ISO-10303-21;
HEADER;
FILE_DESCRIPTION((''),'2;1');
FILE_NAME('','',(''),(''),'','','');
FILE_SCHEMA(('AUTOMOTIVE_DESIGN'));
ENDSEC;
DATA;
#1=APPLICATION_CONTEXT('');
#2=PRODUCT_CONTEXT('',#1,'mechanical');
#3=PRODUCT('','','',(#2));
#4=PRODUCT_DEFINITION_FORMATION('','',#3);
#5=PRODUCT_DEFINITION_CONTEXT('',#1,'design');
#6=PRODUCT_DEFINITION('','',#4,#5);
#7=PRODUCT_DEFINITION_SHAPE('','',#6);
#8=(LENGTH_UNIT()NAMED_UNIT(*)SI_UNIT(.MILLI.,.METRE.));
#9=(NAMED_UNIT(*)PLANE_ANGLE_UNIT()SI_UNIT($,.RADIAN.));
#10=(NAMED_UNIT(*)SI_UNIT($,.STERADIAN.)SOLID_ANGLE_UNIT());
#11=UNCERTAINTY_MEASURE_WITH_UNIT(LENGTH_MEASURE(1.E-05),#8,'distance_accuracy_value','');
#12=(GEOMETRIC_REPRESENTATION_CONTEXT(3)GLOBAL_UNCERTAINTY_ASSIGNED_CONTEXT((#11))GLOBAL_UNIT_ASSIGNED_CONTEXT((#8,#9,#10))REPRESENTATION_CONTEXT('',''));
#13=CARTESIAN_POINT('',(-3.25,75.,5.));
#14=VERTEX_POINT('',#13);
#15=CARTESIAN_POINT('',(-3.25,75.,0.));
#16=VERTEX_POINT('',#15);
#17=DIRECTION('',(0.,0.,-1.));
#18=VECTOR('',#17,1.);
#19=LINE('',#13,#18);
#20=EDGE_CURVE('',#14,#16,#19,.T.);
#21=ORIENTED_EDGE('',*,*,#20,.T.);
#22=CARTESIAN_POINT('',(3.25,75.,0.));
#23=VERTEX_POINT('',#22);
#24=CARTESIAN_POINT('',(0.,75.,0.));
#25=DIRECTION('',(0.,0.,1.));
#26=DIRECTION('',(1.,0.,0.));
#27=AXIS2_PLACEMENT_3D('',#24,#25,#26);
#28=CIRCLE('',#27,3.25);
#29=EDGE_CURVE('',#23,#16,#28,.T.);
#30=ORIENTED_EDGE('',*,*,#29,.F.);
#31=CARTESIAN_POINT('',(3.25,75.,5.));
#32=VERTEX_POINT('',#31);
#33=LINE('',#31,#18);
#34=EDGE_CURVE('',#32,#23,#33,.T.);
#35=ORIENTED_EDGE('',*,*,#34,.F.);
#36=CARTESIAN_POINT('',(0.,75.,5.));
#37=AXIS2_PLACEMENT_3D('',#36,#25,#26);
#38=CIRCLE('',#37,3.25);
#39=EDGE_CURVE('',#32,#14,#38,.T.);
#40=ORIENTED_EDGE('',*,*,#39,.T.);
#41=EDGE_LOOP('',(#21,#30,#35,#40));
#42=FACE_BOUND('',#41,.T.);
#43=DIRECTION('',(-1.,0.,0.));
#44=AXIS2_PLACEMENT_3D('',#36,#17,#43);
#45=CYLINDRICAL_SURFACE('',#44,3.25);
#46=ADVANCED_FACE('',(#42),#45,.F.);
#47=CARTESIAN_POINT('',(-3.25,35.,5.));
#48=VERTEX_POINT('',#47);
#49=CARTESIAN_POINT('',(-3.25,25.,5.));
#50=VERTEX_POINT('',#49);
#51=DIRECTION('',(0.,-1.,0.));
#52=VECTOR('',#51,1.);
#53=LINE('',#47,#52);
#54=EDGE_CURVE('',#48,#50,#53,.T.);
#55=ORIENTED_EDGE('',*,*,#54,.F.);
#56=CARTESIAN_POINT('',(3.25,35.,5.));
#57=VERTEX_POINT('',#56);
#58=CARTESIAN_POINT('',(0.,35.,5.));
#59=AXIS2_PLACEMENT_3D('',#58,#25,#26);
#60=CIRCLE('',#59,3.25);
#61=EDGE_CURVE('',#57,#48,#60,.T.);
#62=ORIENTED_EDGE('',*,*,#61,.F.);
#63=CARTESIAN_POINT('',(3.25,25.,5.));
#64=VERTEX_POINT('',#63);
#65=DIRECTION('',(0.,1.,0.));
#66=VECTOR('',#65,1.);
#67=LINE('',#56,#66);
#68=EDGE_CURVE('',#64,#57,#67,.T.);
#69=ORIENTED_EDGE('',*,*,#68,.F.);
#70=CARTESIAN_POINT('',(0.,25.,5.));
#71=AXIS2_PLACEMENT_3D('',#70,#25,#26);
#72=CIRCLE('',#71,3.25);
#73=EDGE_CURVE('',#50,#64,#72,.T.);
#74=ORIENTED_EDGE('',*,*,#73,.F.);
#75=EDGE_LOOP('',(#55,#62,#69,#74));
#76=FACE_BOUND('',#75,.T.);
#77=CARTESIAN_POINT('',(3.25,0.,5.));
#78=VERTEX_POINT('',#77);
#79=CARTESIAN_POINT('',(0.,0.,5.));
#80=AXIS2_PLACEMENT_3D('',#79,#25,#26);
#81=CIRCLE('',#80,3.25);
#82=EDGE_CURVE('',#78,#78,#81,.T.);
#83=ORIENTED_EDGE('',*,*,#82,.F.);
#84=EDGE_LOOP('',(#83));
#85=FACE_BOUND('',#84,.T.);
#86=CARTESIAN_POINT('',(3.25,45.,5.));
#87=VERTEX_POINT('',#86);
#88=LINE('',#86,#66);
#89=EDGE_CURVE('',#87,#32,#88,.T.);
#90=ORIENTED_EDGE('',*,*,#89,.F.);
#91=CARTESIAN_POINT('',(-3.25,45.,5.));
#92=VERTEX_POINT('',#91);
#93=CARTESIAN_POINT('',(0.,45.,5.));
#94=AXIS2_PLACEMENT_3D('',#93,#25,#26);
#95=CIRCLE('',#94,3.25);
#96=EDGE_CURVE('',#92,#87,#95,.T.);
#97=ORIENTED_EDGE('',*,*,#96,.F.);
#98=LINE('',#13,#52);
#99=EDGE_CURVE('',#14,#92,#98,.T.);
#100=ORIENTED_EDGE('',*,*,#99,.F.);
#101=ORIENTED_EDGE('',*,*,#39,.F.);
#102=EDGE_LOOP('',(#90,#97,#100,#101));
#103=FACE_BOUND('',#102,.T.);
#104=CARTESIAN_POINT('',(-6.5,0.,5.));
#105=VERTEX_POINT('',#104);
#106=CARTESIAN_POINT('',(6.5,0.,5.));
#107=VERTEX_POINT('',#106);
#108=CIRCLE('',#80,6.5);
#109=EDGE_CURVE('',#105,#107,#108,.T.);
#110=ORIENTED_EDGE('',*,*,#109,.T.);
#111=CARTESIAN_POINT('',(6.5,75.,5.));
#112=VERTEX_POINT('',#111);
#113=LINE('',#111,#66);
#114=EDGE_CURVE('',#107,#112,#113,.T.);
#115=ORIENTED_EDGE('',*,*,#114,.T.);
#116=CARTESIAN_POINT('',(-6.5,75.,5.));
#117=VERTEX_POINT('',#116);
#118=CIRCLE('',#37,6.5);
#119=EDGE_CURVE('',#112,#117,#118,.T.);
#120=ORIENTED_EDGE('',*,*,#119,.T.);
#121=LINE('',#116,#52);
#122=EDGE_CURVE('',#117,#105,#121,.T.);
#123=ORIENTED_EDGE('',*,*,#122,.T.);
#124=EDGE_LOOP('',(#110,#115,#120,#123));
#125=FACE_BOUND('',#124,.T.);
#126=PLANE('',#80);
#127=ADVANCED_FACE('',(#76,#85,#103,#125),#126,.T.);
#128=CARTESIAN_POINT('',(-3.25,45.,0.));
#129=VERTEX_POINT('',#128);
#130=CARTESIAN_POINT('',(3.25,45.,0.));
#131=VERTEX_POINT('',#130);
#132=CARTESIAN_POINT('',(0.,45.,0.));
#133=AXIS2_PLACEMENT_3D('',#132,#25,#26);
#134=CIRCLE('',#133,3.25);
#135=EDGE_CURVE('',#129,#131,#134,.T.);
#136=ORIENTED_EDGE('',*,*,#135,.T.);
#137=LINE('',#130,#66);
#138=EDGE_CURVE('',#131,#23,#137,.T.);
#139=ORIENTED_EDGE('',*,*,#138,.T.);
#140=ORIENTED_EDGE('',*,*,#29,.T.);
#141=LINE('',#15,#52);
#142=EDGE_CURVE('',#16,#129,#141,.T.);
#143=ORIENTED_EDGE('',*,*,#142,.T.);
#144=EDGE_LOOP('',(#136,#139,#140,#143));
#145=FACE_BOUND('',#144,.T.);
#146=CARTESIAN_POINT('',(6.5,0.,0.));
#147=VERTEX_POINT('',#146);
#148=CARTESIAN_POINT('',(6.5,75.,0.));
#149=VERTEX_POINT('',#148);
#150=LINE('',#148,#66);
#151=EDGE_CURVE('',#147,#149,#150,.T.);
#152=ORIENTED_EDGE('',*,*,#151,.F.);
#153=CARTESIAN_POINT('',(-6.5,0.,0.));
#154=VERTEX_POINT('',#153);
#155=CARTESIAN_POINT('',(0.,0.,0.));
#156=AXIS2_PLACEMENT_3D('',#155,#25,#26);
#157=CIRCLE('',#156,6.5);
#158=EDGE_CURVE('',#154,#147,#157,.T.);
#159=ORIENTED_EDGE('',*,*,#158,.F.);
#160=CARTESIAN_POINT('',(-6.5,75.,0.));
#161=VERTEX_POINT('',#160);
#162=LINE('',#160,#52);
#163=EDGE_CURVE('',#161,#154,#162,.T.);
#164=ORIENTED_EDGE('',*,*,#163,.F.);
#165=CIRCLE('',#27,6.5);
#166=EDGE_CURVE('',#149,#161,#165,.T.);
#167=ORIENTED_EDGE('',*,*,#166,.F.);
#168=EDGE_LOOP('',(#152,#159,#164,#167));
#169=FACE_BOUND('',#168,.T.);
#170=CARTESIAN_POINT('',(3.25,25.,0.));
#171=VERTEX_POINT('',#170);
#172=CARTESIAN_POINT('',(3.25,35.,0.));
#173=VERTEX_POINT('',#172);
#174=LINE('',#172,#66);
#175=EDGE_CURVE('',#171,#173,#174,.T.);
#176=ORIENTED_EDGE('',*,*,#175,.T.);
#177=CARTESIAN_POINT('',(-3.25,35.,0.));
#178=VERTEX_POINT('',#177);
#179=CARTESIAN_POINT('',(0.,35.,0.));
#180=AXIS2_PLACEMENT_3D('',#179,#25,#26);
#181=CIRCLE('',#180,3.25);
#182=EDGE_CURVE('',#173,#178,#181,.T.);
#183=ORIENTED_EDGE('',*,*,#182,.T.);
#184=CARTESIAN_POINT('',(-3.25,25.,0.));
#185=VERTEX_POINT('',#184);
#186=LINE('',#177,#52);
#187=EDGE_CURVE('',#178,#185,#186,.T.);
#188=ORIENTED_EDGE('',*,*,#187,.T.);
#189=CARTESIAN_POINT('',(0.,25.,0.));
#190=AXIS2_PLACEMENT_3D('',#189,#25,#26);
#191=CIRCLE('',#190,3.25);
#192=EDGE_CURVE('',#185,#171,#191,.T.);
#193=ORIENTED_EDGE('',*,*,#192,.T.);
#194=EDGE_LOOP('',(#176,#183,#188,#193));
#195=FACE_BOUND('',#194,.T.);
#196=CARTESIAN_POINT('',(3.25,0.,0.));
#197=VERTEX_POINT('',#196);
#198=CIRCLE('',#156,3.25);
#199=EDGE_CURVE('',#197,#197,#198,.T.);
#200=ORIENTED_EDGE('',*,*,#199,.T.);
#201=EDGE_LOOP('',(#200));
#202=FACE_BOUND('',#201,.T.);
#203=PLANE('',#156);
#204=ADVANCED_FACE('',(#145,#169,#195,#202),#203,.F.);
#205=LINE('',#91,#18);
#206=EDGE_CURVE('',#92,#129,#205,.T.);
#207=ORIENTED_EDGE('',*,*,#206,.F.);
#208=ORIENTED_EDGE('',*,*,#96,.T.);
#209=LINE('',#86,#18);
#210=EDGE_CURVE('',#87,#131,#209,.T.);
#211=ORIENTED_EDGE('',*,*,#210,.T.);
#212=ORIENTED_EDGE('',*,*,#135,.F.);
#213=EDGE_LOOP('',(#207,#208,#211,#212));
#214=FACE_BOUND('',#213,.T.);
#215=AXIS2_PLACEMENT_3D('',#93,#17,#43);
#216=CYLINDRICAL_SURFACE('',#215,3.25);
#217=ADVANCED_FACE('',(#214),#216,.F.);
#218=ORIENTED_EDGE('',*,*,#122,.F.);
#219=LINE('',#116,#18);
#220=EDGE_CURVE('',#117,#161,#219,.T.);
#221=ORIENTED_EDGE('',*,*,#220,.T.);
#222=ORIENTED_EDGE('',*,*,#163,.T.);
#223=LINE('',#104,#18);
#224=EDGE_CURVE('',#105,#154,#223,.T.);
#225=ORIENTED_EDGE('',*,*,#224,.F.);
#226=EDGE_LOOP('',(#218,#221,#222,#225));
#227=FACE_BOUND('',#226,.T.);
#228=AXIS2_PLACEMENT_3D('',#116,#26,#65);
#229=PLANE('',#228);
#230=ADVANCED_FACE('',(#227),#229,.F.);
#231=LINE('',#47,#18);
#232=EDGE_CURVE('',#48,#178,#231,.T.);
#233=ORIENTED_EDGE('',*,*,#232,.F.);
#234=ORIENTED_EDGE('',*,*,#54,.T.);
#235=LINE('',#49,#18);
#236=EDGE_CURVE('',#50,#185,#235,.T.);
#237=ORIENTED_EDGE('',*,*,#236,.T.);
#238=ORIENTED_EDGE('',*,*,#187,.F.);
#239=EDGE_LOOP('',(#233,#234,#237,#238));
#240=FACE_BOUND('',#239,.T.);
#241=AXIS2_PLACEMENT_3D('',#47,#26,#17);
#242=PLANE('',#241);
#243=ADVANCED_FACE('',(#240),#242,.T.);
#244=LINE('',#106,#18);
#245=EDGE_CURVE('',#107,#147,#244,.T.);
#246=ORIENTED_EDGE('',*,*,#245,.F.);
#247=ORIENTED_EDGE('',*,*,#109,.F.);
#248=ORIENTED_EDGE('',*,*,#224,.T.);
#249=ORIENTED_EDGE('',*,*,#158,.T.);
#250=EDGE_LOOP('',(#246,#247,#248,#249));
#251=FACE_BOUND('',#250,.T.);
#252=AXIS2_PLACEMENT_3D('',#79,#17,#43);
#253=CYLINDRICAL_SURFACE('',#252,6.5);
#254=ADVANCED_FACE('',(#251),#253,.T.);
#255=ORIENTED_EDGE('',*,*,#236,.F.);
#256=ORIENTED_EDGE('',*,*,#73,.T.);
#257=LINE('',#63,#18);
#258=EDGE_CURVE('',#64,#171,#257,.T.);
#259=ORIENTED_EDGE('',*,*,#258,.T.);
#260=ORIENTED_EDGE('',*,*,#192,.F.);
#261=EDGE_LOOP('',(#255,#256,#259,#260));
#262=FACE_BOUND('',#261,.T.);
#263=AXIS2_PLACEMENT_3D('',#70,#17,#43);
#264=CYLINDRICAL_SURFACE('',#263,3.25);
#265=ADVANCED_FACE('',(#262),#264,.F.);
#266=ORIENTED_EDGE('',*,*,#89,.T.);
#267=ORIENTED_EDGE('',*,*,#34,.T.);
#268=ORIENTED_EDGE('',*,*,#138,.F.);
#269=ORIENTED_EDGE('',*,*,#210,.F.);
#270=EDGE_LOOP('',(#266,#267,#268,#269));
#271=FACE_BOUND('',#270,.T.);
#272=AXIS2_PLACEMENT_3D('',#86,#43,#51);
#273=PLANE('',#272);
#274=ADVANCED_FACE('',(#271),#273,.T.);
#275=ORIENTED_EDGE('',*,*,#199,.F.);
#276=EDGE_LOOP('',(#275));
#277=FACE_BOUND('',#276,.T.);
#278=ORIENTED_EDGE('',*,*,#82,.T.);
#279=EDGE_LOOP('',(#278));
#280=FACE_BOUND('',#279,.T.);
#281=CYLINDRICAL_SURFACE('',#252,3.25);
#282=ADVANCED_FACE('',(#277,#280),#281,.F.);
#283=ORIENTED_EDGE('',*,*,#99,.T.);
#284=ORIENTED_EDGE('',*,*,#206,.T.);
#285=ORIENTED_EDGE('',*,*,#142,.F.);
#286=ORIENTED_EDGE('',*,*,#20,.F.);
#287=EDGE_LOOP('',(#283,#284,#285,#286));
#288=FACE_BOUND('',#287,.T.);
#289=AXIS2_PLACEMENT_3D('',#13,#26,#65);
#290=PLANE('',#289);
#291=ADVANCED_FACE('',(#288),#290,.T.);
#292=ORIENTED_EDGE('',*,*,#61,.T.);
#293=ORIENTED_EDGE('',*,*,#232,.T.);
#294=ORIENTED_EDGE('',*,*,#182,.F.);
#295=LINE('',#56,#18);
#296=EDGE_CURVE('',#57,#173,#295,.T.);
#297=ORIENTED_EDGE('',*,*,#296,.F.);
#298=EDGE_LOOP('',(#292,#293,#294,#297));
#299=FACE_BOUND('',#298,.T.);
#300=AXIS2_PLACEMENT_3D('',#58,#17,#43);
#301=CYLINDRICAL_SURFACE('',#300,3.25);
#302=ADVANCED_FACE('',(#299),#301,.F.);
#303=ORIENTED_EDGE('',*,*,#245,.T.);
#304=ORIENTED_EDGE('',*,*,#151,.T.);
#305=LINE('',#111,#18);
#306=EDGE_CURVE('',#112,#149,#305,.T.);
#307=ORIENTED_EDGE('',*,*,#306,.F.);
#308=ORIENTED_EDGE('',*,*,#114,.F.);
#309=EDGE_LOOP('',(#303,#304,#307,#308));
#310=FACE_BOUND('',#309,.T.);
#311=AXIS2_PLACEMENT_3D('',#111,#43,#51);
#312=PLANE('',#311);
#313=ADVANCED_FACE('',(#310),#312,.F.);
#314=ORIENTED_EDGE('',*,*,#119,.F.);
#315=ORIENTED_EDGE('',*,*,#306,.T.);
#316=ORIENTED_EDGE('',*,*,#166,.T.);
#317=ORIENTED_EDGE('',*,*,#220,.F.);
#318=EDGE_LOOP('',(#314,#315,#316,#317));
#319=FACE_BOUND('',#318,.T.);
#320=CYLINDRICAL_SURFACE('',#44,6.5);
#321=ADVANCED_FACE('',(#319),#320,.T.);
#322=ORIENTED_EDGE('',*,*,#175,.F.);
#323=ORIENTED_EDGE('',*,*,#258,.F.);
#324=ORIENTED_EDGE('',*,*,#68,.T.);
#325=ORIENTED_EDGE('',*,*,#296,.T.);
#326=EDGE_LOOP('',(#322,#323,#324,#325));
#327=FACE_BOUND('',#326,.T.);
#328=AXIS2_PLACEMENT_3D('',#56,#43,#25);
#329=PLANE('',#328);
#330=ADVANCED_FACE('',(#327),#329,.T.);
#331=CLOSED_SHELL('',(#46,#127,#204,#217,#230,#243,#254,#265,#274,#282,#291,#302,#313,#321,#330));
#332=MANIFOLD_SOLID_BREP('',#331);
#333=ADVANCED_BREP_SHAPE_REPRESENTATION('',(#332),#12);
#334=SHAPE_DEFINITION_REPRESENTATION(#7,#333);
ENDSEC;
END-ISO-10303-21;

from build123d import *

# Parameters (mm, degrees)
SKETCH1_R           = 3.25
BOSS_EXTRUDE1_DEPTH = 5


with BuildPart() as part:
    # Sketch1 → Boss-Extrude1 (new body)
    with BuildSketch(Plane.XY):
        with BuildLine():
            Line((-6.5, 75), (-6.5, 0))
            ThreePointArc((-6.5, 0), (0, -6.5), (6.5, 0))
            Line((6.5, 0), (6.5, 75))
            ThreePointArc((6.5, 75), (0, 81.5), (-6.5, 75))
        make_face()
        Circle(SKETCH1_R, mode=Mode.SUBTRACT)
        with BuildLine():
            Line((-3.25, 75), (-3.25, 45))
            ThreePointArc((-3.25, 45), (0, 41.75), (3.25, 45))
            Line((3.25, 45), (3.25, 75))
            ThreePointArc((3.25, 75), (0, 78.25), (-3.25, 75))
        make_face(mode=Mode.SUBTRACT)
        with BuildLine():
            Line((3.25, 35), (3.25, 25))
            ThreePointArc((3.25, 25), (0, 21.75), (-3.25, 25))
            Line((-3.25, 25), (-3.25, 35))
            ThreePointArc((-3.25, 35), (0, 38.25), (3.25, 35))
        make_face(mode=Mode.SUBTRACT)
    extrude(amount=BOSS_EXTRUDE1_DEPTH)


solid = part.part
